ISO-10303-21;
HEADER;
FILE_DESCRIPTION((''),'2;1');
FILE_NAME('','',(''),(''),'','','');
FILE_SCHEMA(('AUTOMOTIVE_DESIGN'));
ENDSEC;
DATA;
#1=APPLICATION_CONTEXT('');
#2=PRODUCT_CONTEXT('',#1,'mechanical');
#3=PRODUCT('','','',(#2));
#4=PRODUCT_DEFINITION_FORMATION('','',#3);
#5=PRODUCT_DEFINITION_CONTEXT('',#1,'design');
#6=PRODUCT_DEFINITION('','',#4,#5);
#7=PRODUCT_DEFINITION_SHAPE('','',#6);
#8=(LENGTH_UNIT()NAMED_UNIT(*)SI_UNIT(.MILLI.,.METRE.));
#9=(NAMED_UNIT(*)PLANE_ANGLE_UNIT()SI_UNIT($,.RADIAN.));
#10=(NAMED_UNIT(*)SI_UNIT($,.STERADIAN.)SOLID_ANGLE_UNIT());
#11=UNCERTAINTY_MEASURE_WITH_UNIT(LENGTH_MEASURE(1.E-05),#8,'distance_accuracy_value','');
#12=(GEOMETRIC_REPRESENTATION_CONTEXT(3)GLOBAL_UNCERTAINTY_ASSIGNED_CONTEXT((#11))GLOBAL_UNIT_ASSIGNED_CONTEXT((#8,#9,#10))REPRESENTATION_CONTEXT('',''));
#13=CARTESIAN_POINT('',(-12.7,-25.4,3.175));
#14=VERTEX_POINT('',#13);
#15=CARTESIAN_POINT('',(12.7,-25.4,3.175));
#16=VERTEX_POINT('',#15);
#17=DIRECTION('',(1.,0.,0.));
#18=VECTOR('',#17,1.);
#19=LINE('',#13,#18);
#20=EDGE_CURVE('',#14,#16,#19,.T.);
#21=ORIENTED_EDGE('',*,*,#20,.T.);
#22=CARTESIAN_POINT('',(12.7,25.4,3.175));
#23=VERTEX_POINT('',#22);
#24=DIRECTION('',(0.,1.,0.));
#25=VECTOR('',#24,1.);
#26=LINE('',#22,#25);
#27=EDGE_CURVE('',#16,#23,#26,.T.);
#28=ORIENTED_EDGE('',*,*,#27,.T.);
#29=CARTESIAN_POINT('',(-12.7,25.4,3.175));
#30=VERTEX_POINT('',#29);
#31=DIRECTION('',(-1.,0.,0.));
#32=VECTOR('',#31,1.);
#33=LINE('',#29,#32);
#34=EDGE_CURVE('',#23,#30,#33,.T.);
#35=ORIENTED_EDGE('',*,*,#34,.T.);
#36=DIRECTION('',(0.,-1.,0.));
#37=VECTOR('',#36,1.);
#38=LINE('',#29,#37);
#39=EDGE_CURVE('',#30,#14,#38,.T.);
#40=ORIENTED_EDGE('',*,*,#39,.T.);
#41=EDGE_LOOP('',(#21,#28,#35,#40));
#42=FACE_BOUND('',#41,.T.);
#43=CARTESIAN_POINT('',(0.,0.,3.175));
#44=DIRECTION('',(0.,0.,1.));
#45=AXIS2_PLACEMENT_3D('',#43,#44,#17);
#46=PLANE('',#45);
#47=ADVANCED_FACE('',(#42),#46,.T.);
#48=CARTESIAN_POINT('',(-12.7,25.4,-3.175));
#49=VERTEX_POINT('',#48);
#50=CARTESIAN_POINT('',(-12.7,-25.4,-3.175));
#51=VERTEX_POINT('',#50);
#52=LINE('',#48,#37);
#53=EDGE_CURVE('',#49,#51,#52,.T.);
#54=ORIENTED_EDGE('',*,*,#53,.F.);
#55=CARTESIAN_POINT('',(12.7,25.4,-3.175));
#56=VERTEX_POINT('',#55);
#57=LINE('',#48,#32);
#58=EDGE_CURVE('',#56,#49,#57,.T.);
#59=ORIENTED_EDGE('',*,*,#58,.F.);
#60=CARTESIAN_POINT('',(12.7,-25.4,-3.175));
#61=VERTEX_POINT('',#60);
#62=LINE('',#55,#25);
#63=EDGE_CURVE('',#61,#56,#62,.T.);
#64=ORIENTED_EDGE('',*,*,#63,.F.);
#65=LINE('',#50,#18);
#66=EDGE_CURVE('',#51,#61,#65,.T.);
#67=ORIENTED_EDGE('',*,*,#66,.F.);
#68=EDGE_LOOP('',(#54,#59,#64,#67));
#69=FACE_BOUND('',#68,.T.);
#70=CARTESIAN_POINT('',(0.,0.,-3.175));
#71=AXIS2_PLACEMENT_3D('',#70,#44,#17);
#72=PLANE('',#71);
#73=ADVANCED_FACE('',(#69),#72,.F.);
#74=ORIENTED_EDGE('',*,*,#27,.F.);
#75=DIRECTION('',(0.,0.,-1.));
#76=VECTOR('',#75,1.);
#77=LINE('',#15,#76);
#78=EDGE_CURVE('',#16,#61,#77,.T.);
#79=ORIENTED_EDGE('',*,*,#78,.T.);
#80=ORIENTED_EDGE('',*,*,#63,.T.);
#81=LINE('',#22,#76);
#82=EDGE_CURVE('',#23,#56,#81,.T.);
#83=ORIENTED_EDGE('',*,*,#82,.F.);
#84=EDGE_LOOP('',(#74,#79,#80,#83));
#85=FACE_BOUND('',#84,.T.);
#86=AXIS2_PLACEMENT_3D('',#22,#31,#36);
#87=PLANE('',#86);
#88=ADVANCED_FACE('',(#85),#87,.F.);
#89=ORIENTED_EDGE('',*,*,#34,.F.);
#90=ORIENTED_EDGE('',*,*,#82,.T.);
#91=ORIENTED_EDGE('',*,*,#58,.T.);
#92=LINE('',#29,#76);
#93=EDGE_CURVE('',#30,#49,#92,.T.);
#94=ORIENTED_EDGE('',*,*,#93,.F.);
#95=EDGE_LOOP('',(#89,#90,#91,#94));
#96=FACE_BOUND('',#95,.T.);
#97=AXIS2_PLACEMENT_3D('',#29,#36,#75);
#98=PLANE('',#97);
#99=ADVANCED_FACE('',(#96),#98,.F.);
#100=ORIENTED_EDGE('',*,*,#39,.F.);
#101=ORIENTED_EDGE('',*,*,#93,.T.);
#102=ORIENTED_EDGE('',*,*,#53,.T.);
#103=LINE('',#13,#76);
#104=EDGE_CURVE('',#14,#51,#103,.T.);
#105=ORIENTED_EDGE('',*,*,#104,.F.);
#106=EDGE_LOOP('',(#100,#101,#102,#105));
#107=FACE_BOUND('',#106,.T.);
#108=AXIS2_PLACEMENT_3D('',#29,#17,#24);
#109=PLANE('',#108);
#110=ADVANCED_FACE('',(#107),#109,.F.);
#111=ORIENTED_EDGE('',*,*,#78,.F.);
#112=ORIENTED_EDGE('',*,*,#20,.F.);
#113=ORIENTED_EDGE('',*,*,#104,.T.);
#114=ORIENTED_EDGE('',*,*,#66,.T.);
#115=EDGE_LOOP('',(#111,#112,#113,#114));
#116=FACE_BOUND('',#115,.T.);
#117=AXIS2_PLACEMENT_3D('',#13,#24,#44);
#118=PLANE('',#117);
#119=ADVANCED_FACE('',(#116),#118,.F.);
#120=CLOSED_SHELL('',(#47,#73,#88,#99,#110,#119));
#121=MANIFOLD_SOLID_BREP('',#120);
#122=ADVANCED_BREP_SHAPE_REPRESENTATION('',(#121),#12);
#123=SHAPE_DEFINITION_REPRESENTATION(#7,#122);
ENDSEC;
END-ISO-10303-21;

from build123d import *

# Parameters (mm, degrees)
SKETCH1_W           = 25.4
SKETCH1_H           = 50.8
BOSS_EXTRUDE1_DEPTH = 3.175


with BuildPart() as part:
    # Sketch1 → Boss-Extrude1 (new, symmetric)
    with BuildSketch(Plane.XY):
        Rectangle(SKETCH1_W, SKETCH1_H)
    extrude(amount=BOSS_EXTRUDE1_DEPTH, both=True)


solid = part.part
